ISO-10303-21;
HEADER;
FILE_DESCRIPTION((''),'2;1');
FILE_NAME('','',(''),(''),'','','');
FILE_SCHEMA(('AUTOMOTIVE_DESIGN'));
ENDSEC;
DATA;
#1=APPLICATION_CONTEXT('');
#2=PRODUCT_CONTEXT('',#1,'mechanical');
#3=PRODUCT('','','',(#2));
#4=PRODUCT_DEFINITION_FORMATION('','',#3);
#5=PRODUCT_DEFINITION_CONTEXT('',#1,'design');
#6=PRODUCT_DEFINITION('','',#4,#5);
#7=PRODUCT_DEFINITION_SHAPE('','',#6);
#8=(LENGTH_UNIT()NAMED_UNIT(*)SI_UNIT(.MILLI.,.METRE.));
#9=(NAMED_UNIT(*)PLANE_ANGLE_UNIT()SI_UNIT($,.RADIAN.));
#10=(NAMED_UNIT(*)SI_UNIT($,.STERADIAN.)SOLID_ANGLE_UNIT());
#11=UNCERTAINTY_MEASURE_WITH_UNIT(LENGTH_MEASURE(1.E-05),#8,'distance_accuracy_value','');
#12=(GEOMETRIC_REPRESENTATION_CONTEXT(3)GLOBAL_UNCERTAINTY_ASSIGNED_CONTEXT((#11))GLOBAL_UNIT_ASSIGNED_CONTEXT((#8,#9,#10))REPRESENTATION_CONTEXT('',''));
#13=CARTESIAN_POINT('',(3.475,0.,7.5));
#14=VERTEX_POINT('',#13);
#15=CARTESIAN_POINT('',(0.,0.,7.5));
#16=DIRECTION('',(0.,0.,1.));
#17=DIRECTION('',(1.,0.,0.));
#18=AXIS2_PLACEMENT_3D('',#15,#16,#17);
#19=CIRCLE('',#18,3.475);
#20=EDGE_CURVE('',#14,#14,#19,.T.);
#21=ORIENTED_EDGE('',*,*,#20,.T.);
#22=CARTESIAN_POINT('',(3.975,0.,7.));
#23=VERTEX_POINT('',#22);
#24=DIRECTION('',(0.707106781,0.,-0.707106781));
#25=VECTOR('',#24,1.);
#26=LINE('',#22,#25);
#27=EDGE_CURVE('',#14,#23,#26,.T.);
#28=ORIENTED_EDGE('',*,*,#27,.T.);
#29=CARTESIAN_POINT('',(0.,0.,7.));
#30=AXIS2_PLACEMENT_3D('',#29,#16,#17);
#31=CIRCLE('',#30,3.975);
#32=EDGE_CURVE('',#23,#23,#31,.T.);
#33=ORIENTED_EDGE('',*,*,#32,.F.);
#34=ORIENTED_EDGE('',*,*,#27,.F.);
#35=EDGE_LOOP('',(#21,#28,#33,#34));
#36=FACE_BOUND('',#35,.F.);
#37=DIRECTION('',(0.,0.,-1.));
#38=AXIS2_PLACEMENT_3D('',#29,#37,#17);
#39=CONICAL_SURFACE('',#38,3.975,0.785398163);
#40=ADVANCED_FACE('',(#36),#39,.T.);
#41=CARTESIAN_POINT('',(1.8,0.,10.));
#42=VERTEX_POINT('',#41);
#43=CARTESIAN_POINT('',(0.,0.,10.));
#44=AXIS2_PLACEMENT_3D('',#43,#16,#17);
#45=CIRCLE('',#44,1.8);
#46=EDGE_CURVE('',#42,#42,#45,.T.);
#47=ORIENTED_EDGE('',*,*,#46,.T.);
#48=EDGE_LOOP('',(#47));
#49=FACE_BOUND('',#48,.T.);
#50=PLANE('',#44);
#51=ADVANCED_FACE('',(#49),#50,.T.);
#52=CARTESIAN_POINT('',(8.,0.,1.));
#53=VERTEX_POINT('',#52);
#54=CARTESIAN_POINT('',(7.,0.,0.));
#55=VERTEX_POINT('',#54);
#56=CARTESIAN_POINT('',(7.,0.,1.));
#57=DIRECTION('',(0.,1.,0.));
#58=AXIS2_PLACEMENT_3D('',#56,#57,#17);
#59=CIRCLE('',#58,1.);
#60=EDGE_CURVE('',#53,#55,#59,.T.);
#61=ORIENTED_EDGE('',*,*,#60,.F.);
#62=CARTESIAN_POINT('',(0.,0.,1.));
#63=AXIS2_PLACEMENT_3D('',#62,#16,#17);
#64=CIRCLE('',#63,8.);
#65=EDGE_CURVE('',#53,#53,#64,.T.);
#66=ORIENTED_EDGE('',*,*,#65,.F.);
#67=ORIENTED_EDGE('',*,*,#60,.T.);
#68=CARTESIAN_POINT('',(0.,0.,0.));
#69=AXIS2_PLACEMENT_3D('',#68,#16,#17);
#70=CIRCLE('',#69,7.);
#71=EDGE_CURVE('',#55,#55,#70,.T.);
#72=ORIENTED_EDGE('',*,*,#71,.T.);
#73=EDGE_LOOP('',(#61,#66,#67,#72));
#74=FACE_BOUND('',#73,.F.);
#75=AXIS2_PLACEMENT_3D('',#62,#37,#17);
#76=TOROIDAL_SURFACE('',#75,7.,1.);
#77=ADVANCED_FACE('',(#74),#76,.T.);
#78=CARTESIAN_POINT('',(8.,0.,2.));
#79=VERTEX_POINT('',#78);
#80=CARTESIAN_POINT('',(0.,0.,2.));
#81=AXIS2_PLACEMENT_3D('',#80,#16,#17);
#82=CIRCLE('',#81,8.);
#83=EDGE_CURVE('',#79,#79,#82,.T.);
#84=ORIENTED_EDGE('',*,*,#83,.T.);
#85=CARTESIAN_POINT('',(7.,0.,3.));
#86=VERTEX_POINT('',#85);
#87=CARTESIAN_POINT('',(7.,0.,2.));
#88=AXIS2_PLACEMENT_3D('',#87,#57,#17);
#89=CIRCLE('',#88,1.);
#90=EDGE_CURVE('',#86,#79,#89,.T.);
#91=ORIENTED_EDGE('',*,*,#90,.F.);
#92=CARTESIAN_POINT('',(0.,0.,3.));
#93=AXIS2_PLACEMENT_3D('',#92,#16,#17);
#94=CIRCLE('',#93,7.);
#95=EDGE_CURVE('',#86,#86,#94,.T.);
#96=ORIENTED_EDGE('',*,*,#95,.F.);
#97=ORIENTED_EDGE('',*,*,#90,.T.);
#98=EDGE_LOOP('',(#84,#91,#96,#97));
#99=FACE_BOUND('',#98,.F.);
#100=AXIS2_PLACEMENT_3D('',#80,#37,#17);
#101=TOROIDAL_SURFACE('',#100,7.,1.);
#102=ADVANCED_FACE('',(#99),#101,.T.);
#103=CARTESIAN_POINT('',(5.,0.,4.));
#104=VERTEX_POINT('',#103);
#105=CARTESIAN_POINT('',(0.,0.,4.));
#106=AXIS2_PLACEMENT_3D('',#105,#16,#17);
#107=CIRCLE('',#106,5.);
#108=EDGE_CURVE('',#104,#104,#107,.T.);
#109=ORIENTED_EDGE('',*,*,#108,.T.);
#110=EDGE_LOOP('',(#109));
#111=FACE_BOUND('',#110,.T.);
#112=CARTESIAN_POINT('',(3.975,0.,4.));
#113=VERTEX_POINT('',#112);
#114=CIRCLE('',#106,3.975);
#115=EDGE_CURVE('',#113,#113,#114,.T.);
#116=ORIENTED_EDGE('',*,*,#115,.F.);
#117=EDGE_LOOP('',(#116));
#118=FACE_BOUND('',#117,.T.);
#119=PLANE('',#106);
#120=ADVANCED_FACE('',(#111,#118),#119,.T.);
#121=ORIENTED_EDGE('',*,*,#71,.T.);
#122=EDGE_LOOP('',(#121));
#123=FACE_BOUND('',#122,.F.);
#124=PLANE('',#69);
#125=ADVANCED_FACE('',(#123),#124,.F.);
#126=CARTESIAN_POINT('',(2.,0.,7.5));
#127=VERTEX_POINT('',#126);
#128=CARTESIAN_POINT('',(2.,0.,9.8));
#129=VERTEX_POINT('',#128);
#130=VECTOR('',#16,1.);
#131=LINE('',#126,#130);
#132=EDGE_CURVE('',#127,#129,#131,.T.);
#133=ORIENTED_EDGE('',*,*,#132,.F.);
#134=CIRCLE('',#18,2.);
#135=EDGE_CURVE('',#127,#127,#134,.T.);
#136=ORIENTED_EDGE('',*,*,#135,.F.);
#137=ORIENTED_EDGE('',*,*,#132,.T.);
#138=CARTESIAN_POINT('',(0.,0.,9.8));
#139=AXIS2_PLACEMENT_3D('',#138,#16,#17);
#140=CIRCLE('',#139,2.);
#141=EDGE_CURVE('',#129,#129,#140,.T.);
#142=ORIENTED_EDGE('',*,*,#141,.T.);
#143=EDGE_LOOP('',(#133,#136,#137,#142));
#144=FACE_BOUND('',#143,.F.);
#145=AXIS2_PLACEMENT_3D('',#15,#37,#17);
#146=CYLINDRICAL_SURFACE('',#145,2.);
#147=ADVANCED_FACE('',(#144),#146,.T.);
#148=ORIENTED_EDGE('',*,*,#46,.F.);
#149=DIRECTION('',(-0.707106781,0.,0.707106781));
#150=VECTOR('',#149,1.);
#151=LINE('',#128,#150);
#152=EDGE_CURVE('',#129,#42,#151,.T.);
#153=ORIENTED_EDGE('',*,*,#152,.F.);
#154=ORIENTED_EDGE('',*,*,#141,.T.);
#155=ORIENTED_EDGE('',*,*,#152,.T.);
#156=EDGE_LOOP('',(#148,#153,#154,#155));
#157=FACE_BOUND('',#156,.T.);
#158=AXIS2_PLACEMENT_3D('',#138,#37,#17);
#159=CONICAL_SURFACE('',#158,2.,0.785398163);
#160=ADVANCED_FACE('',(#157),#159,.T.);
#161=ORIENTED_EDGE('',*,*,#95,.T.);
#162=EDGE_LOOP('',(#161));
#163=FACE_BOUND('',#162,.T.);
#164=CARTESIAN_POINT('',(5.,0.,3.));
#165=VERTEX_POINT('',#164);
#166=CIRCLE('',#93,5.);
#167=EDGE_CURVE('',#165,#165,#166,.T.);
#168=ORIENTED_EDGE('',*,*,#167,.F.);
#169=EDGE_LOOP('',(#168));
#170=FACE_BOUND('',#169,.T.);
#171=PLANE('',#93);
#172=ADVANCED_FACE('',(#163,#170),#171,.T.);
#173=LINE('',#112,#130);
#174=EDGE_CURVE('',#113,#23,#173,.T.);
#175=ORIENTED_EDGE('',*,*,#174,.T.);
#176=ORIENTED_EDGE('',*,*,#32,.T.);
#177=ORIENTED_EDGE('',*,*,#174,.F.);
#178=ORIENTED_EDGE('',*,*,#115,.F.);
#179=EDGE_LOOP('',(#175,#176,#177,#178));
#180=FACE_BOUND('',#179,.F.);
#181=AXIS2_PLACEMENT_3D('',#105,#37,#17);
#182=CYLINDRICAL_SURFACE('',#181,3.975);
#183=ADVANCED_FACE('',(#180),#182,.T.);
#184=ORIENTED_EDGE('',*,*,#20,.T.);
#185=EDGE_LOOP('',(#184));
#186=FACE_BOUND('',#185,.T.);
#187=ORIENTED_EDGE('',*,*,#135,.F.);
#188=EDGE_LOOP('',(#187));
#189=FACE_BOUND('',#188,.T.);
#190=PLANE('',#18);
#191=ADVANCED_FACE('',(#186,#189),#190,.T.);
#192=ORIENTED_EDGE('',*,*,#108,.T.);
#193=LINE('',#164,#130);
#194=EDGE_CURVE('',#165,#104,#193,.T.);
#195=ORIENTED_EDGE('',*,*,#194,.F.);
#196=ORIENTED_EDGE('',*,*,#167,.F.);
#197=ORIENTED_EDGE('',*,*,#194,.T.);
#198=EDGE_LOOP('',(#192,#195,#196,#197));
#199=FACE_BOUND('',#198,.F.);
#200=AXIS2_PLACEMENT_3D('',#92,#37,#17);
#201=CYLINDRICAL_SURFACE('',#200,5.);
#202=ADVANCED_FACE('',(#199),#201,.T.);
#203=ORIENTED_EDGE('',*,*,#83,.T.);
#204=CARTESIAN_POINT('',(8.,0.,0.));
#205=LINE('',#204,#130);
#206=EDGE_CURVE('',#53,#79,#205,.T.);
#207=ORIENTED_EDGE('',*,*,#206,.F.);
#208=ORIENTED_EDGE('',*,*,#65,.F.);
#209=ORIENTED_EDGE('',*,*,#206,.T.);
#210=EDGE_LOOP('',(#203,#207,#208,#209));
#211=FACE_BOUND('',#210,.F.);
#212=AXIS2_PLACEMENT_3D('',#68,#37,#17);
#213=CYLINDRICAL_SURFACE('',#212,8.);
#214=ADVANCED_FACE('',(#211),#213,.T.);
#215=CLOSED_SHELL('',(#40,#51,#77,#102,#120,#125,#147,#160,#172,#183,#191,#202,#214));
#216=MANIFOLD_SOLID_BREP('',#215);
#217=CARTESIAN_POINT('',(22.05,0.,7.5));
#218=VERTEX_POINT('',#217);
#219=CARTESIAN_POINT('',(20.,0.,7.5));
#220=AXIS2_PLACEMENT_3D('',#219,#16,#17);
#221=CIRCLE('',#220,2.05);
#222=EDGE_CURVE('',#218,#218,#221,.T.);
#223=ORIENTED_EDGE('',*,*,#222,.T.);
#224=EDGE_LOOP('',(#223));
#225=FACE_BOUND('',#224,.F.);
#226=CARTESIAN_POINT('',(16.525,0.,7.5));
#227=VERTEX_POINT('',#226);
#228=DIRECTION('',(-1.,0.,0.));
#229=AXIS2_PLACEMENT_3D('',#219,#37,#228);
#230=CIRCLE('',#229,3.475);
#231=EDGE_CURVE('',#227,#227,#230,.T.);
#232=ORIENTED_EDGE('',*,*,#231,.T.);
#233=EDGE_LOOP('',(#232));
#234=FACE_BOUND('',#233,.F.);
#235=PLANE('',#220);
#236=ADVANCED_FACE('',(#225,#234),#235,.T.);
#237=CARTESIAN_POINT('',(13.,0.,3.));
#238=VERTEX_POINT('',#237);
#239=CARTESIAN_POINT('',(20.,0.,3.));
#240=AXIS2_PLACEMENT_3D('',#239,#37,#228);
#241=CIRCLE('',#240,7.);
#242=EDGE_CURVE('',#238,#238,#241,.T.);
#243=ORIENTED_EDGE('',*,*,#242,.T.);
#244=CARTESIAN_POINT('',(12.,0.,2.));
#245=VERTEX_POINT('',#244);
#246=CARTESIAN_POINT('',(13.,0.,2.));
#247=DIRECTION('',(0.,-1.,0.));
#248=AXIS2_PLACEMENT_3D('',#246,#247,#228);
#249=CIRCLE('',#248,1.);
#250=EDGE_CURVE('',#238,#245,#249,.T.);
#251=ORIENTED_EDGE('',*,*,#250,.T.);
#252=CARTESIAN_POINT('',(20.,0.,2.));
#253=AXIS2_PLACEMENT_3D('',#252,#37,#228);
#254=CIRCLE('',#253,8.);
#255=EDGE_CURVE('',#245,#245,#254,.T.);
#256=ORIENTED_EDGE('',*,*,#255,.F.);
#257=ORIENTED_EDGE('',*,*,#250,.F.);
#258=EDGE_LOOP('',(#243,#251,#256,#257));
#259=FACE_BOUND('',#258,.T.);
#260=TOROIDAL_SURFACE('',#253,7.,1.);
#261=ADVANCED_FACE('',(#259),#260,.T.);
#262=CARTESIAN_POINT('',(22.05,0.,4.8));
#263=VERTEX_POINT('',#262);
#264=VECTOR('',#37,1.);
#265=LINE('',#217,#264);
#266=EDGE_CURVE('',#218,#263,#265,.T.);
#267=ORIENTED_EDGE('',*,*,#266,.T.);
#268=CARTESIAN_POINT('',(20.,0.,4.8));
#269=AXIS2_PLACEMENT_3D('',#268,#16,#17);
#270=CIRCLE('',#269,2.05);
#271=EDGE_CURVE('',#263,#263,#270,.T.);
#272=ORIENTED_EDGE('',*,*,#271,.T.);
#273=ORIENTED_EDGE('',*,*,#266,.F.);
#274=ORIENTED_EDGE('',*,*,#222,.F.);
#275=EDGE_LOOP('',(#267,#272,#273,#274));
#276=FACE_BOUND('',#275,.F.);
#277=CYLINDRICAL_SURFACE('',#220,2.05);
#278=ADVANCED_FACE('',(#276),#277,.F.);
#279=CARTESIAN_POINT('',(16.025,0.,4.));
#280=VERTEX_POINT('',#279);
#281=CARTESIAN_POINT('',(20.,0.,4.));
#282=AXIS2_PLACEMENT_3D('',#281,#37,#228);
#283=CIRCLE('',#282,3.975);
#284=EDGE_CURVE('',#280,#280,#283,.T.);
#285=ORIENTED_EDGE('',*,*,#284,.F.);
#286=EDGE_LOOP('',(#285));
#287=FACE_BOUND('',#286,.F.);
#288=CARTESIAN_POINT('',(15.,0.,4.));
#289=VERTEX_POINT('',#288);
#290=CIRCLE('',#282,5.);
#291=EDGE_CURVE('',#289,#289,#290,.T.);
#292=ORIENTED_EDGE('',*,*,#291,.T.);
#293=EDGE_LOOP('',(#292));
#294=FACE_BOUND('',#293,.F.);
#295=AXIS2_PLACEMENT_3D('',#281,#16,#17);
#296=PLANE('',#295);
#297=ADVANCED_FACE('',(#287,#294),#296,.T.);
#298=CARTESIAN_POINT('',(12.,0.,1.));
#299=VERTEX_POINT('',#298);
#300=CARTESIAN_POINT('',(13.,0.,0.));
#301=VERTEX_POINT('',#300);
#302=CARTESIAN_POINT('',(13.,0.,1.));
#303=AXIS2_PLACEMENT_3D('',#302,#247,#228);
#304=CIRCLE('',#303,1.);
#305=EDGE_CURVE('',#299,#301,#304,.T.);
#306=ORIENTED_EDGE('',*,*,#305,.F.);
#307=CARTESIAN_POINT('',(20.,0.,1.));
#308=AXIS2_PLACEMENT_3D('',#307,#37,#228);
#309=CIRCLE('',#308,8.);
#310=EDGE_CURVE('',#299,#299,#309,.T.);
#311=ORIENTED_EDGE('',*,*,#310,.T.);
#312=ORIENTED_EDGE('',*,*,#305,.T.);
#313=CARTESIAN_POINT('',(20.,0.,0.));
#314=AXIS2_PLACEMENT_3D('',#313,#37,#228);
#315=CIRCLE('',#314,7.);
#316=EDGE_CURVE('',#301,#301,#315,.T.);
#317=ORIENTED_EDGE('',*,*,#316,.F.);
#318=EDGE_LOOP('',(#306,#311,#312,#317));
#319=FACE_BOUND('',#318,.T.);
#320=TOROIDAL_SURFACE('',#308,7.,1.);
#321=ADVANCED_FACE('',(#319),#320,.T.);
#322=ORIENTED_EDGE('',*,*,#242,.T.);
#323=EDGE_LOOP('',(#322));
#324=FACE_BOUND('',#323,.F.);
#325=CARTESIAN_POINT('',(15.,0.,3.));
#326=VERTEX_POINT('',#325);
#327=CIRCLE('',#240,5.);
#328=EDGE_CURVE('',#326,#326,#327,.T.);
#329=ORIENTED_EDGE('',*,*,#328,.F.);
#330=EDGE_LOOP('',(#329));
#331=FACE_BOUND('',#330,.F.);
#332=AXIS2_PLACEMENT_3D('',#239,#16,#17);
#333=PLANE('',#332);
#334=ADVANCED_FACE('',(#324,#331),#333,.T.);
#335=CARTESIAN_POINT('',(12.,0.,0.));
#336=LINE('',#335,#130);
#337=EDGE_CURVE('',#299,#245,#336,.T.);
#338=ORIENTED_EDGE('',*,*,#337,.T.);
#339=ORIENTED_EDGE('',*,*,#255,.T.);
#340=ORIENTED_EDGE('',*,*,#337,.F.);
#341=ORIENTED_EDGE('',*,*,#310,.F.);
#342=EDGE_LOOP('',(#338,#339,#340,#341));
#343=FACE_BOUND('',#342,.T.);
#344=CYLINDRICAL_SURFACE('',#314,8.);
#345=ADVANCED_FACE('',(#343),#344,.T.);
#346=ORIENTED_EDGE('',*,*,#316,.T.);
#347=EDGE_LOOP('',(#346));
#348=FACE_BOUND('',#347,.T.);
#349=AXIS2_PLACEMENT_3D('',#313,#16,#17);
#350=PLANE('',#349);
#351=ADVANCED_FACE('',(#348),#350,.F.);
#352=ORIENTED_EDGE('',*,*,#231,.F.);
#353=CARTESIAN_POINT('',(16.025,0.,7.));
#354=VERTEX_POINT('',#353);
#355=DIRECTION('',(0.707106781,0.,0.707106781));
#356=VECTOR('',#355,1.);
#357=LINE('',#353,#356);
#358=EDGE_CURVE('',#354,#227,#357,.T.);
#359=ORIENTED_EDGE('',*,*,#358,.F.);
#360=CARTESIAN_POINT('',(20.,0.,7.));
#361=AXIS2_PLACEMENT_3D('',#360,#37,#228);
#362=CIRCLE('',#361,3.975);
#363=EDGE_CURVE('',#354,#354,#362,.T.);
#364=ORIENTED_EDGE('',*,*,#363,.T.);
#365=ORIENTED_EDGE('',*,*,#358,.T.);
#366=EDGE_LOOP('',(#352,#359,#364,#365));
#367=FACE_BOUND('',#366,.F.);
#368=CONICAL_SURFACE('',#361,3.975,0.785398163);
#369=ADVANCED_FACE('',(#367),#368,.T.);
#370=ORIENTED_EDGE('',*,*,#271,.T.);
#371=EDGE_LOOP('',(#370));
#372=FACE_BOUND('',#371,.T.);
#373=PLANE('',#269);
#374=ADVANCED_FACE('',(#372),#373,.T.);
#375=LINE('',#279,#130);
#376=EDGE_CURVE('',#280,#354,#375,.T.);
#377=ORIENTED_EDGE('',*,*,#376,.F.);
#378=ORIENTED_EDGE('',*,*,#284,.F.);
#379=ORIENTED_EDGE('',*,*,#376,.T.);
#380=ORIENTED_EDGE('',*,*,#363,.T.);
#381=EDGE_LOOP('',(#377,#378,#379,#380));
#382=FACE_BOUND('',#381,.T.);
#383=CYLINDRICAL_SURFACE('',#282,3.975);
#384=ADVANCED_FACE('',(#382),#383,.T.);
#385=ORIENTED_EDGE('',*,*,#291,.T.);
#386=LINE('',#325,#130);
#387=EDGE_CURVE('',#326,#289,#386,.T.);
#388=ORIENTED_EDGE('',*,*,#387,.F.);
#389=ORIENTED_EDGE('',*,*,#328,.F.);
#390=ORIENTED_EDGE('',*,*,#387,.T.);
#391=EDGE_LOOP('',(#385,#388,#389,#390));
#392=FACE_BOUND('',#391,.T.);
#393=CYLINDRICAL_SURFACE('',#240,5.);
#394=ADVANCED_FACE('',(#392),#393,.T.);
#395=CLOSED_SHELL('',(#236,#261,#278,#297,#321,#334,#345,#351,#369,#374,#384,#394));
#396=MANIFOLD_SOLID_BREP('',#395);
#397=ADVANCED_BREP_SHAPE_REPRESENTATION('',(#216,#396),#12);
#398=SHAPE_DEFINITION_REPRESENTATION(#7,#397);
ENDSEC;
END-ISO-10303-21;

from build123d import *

# Parameters (mm, degrees)
F0_R       = 8
F1_DEPTH   = 3
F2_R       = 5
F3_DEPTH   = 1
F4_R       = 3.975
F5_DEPTH   = 3.5
F8_R       = 2
F9_DEPTH   = 2.5
F10_R      = 2.05
F11_DEPTH  = 2.7
F12_SIZE   = 0.2
F13_SIZE   = 0.5
F13_2_SIZE = 0.5
F14_R      = 1
F14_2_R    = 1


with BuildPart() as f1:
    # F0 (on Top) → F1 (new body)
    with BuildSketch(Plane.XY):
        Circle(F0_R)
    extrude(amount=F1_DEPTH)

    # F2 (on face) → F3 (join)
    with BuildSketch(Plane.XY.offset(3)):
        Circle(F2_R)
    extrude(amount=F3_DEPTH)

    # F4 (on face) → F5 (join)
    with BuildSketch(Plane.XY.offset(4)):
        Circle(F4_R)
    extrude(amount=F5_DEPTH)


with BuildPart() as f7_1:
    # F7: instance of F1
    add(f1.part.mirror(Plane.YZ.offset(10)))

    # F10 (on face) → F11 (cut)
    with BuildSketch(Plane.XY.offset(7.5)):
        with Locations((20, 0)):
            Circle(F10_R)
    extrude(amount=-F11_DEPTH, mode=Mode.SUBTRACT)

    # F13#2
    f13_2_edges = [f7_1.edges().sort_by_distance(p)[0] for p in [
        (23.975, 0, 7.5),
    ]]
    chamfer(f13_2_edges, length=F13_2_SIZE)

    # F14#2
    f14_2_edges = [f7_1.edges().sort_by_distance(p)[0] for p in [
        (28, 0, 3),
        (28, 0, 0),
    ]]
    fillet(f14_2_edges, radius=F14_2_R)


with BuildPart() as f1_1:
    add(f1.part)

    # F8 (on face) → F9 (join)
    with BuildSketch(Plane.XY.offset(7.5)):
        Circle(F8_R)
    extrude(amount=F9_DEPTH)

    # F12
    f12_edges = [f1_1.edges().sort_by_distance(p)[0] for p in [
        (-2, 0, 10),
    ]]
    chamfer(f12_edges, length=F12_SIZE)

    # F13
    f13_edges = [f1_1.edges().sort_by_distance(p)[0] for p in [
        (-3.975, 0, 7.5),
    ]]
    chamfer(f13_edges, length=F13_SIZE)

    # F14
    f14_edges = [f1_1.edges().sort_by_distance(p)[0] for p in [
        (-8, 0, 3),
        (-8, 0, 0),
    ]]
    fillet(f14_edges, radius=F14_R)


solid = Compound([f7_1.part, f1_1.part])
